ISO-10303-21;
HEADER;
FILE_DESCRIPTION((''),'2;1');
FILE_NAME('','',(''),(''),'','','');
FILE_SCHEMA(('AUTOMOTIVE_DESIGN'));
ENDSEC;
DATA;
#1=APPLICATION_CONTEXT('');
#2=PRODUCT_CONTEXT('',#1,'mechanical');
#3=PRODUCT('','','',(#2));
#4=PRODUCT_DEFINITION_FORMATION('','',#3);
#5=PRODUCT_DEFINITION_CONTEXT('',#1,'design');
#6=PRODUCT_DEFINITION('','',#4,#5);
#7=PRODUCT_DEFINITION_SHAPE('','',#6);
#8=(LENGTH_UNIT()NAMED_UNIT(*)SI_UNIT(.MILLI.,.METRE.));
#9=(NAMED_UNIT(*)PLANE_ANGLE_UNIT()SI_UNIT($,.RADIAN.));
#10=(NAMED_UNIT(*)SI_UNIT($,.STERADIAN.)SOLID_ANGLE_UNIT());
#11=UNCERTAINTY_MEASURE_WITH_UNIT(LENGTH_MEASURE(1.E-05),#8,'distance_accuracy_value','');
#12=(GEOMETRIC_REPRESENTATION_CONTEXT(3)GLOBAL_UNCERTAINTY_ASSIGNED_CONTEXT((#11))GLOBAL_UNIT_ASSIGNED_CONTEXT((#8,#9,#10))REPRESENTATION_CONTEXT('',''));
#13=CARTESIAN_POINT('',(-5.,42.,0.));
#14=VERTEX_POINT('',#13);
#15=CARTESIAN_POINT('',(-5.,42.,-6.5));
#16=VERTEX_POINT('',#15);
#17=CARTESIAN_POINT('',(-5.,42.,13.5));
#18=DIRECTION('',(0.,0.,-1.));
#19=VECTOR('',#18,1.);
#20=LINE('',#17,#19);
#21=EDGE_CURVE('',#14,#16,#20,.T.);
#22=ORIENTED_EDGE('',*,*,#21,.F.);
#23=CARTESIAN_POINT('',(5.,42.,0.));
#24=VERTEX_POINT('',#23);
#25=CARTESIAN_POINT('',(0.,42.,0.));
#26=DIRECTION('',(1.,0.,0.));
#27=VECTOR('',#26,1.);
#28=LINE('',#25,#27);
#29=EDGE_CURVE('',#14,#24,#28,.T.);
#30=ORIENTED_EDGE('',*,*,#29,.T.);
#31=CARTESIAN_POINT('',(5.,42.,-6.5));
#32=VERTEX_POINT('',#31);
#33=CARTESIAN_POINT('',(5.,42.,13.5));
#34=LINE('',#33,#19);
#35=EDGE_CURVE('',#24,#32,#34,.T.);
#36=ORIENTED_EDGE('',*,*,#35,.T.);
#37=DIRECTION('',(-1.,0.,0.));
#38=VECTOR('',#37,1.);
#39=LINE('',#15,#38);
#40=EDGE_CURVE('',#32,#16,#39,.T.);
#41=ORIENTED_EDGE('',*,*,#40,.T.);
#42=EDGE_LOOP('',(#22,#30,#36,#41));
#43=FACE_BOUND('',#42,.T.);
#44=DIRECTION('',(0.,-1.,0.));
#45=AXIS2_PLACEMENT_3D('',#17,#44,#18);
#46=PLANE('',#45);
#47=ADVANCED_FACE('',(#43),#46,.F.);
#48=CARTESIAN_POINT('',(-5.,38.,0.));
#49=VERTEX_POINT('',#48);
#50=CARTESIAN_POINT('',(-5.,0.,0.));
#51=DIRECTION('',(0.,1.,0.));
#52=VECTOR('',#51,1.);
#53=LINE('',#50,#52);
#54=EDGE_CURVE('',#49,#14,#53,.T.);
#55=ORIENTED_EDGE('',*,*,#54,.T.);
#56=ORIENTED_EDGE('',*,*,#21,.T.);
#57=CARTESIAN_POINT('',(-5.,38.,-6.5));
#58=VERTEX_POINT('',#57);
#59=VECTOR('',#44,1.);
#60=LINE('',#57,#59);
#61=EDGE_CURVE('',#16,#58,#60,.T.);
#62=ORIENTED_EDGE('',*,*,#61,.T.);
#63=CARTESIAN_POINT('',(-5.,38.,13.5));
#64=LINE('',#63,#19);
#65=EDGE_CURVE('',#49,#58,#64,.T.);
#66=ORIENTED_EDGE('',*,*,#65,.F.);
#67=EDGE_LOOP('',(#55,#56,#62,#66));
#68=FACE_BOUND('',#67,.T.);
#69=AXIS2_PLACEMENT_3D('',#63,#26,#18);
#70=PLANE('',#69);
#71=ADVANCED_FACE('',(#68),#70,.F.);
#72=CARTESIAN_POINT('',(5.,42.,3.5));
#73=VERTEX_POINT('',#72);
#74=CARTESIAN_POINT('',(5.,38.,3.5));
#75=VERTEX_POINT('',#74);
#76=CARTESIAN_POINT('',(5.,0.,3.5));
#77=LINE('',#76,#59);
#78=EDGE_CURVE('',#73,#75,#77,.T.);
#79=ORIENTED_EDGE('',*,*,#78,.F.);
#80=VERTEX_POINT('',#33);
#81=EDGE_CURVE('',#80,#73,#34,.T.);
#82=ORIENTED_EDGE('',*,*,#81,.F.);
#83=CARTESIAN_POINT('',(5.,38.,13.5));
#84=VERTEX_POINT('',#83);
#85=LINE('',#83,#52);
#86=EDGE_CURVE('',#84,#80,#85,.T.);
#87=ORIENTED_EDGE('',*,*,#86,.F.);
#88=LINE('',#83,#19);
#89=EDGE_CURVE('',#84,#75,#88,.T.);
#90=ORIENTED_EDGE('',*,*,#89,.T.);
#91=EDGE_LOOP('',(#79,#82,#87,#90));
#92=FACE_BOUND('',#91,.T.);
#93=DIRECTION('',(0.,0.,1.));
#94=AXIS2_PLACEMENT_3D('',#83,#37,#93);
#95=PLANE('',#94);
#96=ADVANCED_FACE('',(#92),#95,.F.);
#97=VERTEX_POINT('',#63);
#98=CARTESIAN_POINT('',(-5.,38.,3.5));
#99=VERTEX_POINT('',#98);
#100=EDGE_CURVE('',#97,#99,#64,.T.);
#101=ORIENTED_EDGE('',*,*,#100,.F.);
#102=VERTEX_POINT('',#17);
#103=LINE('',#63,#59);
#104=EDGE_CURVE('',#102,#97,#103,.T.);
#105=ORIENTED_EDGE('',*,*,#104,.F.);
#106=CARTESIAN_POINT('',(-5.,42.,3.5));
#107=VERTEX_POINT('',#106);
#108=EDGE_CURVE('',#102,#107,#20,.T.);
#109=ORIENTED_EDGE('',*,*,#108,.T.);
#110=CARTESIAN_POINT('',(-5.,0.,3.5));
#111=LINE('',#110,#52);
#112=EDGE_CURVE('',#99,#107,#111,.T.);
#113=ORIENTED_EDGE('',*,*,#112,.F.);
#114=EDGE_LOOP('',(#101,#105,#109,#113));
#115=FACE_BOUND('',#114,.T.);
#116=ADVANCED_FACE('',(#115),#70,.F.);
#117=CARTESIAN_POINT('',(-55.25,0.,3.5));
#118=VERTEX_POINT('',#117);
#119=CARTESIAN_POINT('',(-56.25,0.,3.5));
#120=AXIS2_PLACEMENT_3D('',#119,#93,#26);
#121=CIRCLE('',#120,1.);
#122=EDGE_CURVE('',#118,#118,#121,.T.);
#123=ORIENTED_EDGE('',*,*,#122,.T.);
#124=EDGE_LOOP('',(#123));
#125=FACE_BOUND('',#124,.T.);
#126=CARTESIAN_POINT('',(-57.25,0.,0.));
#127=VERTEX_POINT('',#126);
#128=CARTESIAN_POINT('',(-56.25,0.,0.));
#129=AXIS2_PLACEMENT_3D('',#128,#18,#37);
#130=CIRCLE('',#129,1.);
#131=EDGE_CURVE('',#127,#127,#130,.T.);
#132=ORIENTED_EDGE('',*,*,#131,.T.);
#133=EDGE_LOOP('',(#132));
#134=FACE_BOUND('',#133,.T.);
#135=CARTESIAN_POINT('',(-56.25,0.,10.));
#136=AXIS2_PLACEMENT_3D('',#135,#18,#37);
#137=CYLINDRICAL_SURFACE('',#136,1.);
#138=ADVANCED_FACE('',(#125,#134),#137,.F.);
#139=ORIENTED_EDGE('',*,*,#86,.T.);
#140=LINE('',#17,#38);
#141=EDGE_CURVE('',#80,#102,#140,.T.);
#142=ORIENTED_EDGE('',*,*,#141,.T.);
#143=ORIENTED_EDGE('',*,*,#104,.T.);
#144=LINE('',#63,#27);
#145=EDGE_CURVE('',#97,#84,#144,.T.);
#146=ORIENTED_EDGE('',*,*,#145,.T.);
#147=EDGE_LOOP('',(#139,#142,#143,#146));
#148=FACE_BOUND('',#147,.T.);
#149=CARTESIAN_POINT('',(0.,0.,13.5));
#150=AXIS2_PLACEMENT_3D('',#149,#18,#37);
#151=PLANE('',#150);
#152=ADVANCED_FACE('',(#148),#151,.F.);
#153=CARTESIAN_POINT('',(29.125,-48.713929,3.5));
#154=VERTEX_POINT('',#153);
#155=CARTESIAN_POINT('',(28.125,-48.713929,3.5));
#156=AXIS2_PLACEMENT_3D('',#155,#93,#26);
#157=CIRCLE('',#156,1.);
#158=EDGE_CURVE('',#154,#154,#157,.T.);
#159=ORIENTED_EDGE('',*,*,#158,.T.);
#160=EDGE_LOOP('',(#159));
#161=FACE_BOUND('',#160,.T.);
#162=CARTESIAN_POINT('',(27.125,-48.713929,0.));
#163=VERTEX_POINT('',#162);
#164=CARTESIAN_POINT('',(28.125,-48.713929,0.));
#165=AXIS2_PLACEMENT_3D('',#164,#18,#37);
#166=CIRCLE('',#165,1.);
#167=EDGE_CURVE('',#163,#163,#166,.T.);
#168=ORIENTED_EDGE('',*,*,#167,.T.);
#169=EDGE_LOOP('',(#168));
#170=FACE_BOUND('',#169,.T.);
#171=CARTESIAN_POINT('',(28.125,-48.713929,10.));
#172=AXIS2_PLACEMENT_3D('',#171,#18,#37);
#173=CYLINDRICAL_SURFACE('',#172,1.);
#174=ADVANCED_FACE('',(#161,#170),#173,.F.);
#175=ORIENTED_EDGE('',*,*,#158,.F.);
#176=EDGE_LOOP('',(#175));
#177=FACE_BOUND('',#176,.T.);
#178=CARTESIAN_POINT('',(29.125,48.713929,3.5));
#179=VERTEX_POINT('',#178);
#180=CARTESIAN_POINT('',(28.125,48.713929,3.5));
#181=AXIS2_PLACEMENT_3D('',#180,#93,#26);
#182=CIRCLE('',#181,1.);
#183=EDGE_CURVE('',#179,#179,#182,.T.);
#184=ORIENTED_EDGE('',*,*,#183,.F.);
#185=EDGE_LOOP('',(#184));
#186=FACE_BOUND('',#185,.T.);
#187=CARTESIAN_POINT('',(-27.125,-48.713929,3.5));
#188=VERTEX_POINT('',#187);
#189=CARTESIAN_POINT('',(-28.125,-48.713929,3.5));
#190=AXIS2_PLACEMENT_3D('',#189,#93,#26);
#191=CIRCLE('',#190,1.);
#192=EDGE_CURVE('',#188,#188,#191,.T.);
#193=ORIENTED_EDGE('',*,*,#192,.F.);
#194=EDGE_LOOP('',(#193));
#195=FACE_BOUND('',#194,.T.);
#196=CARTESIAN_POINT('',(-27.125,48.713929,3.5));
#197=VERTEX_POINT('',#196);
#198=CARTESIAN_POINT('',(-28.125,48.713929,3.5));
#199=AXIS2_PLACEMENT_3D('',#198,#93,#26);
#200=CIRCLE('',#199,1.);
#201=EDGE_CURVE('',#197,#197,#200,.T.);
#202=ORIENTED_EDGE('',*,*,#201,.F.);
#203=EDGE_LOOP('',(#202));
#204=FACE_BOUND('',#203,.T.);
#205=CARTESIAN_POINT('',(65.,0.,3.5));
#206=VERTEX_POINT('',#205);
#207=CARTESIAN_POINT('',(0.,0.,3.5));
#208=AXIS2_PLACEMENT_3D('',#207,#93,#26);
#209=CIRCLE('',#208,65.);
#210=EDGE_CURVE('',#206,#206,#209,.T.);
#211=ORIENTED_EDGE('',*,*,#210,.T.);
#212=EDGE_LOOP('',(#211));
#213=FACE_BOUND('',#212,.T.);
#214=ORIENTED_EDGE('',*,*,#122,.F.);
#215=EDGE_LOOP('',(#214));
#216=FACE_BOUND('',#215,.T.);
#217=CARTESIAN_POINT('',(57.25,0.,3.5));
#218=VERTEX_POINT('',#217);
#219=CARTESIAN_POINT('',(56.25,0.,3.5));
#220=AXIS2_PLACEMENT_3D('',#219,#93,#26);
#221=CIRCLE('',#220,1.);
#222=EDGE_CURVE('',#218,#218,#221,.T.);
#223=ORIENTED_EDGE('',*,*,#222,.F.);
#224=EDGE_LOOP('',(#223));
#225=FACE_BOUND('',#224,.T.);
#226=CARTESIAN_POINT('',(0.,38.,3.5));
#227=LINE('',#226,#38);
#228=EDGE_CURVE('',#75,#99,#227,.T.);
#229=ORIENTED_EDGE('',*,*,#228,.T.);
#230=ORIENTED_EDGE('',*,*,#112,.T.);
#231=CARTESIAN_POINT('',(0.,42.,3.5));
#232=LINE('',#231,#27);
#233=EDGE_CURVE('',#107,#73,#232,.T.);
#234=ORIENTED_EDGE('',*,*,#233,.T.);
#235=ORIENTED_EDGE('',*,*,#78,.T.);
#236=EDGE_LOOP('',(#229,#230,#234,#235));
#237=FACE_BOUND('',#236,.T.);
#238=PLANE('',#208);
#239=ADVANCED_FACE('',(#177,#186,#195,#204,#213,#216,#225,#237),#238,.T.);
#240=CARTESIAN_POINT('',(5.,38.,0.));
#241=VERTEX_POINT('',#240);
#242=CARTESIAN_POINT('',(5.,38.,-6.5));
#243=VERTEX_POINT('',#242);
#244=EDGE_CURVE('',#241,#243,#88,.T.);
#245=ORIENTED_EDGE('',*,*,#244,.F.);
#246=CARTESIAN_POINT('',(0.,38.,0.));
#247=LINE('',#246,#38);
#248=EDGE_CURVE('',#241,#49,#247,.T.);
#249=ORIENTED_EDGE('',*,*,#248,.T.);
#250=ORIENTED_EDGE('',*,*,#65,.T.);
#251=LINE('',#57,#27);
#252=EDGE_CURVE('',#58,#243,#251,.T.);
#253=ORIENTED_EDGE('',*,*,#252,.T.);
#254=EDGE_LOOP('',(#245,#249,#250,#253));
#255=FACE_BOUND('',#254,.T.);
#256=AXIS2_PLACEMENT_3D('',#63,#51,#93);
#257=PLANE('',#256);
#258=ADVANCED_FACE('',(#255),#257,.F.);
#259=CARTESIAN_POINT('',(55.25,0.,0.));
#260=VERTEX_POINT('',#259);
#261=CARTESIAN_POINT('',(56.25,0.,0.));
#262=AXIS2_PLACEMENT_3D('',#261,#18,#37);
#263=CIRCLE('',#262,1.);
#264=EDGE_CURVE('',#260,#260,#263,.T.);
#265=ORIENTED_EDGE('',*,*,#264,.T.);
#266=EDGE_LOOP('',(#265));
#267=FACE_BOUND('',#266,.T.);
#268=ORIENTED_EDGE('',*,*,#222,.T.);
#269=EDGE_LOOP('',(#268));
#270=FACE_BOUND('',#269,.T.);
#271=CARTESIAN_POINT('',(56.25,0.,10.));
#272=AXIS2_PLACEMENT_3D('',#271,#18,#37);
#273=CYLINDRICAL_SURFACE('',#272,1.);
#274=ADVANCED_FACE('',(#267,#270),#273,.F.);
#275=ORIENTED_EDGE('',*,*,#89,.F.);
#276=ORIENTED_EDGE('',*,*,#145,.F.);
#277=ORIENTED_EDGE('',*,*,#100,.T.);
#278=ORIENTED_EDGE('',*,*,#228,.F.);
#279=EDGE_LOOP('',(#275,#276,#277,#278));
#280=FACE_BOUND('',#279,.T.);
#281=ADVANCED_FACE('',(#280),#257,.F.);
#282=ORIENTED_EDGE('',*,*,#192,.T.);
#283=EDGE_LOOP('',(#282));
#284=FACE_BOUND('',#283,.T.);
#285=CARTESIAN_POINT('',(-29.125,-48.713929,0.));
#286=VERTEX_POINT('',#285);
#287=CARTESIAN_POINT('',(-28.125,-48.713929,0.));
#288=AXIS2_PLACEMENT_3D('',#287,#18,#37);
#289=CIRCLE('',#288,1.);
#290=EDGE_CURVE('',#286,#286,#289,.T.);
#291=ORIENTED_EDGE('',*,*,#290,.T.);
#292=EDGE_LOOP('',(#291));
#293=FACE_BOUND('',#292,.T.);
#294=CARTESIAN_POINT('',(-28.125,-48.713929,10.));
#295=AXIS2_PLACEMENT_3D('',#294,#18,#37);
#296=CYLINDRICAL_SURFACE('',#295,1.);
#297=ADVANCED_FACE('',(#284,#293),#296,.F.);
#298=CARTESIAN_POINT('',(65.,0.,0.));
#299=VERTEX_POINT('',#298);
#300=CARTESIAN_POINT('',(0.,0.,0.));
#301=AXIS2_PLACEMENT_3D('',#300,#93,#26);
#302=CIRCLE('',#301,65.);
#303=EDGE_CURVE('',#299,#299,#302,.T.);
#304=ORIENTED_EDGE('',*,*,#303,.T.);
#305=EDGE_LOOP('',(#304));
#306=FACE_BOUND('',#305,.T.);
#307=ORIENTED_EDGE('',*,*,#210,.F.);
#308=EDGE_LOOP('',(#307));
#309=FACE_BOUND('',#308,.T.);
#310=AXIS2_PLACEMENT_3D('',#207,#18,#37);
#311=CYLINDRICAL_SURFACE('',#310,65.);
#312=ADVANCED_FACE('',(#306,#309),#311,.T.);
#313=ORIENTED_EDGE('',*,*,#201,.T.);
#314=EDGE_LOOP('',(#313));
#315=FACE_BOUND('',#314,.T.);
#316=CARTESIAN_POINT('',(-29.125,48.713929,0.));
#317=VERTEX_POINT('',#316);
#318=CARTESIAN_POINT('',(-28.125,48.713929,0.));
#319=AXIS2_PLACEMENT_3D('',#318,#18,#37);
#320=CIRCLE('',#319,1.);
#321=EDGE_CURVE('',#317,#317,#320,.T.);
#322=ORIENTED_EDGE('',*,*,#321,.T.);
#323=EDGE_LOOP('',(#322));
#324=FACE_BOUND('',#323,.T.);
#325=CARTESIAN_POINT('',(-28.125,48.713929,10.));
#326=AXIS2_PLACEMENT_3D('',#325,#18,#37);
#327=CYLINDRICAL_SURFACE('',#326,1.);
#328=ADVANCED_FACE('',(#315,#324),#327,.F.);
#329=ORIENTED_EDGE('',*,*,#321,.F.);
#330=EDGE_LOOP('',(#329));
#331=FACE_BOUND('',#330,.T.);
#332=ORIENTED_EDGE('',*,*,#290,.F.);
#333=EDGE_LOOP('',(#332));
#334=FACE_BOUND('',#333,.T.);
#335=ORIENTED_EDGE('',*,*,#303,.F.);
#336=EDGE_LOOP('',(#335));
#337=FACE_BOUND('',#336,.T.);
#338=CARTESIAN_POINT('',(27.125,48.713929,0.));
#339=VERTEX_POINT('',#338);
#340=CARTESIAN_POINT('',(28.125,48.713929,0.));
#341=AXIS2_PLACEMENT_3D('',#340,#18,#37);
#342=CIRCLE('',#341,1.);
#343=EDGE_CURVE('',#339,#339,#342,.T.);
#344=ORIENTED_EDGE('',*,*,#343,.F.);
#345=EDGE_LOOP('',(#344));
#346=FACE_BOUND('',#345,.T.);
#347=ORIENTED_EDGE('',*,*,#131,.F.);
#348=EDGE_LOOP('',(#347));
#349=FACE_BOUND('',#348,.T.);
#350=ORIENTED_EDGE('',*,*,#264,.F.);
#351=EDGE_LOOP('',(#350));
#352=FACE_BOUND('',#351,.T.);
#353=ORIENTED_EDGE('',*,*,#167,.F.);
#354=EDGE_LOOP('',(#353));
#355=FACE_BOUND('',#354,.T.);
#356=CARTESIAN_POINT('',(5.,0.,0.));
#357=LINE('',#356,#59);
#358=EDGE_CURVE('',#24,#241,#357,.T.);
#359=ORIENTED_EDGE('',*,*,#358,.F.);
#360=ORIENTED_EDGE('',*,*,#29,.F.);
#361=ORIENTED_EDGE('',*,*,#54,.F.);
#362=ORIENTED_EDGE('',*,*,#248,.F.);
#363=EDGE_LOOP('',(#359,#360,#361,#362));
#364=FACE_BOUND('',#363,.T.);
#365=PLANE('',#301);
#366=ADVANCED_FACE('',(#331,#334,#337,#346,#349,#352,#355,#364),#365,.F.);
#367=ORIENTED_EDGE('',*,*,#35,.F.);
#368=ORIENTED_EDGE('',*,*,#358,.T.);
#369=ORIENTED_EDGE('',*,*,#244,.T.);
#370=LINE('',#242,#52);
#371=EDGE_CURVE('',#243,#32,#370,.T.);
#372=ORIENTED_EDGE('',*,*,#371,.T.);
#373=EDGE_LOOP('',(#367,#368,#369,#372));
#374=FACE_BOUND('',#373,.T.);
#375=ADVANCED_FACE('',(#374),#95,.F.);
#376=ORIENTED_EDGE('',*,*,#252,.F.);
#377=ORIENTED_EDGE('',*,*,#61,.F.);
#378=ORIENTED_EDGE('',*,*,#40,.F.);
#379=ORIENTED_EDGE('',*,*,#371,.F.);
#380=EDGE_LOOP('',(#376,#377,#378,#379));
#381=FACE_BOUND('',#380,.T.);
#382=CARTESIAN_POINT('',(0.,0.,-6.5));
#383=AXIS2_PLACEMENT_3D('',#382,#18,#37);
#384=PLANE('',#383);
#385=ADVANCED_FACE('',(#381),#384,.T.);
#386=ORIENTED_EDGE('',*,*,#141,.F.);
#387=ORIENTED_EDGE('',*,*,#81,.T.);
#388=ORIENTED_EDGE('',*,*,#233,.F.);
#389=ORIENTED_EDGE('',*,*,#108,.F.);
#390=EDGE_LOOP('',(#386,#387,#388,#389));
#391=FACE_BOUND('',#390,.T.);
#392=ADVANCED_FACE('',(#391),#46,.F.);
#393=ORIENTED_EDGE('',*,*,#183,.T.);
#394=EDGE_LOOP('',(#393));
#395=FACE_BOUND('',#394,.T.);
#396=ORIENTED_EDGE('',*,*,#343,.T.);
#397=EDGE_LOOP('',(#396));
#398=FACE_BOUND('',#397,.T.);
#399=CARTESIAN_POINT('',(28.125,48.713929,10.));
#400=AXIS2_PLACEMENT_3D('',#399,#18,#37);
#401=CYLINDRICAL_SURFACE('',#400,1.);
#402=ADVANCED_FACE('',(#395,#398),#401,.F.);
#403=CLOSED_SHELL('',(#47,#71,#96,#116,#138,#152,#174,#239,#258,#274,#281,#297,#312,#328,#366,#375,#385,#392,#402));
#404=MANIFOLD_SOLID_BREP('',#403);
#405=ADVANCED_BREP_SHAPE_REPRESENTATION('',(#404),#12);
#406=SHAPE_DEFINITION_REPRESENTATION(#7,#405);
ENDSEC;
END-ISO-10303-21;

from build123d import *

# Parameters (mm, degrees)
SKETCH_1_R          = 65
EXTRUDE_1_DEPTH     = 3.5
SKETCH_2_W          = 10
SKETCH_2_H          = 4
EXTRUDE_2_DEPTH     = 10
SKETCH_3_R          = 1
CUT_EXTRUDE_1_DEPTH = 10


with BuildPart() as part:
    # 草图1 → 凸台-拉伸1 (new body)
    with BuildSketch(Plane.XY):
        Circle(SKETCH_1_R)
    extrude(amount=EXTRUDE_1_DEPTH)

    # 草图2 → 凸台-拉伸2 (add, symmetric)
    with BuildSketch(Plane.XY.offset(3.5)):
        with Locations((0, 40)):
            Rectangle(SKETCH_2_W, SKETCH_2_H)
    extrude(amount=EXTRUDE_2_DEPTH, both=True)

    # 草图3 → 切除-拉伸1 (cut)
    with BuildSketch(Plane(origin=(0, 0, 0), x_dir=(-1, 0, 0), z_dir=(0, 0, -1))):
        with Locations((56.25, 0)):
            Circle(SKETCH_3_R)
        with Locations((28.125, -48.713928963)):
            Circle(SKETCH_3_R)
        with Locations((-28.125, -48.713928963)):
            Circle(SKETCH_3_R)
        with Locations((-56.25, 0)):
            Circle(SKETCH_3_R)
        with Locations((-28.125, 48.713928963)):
            Circle(SKETCH_3_R)
        with Locations((28.125, 48.713928963)):
            Circle(SKETCH_3_R)
    extrude(amount=-CUT_EXTRUDE_1_DEPTH, mode=Mode.SUBTRACT)


solid = part.part
